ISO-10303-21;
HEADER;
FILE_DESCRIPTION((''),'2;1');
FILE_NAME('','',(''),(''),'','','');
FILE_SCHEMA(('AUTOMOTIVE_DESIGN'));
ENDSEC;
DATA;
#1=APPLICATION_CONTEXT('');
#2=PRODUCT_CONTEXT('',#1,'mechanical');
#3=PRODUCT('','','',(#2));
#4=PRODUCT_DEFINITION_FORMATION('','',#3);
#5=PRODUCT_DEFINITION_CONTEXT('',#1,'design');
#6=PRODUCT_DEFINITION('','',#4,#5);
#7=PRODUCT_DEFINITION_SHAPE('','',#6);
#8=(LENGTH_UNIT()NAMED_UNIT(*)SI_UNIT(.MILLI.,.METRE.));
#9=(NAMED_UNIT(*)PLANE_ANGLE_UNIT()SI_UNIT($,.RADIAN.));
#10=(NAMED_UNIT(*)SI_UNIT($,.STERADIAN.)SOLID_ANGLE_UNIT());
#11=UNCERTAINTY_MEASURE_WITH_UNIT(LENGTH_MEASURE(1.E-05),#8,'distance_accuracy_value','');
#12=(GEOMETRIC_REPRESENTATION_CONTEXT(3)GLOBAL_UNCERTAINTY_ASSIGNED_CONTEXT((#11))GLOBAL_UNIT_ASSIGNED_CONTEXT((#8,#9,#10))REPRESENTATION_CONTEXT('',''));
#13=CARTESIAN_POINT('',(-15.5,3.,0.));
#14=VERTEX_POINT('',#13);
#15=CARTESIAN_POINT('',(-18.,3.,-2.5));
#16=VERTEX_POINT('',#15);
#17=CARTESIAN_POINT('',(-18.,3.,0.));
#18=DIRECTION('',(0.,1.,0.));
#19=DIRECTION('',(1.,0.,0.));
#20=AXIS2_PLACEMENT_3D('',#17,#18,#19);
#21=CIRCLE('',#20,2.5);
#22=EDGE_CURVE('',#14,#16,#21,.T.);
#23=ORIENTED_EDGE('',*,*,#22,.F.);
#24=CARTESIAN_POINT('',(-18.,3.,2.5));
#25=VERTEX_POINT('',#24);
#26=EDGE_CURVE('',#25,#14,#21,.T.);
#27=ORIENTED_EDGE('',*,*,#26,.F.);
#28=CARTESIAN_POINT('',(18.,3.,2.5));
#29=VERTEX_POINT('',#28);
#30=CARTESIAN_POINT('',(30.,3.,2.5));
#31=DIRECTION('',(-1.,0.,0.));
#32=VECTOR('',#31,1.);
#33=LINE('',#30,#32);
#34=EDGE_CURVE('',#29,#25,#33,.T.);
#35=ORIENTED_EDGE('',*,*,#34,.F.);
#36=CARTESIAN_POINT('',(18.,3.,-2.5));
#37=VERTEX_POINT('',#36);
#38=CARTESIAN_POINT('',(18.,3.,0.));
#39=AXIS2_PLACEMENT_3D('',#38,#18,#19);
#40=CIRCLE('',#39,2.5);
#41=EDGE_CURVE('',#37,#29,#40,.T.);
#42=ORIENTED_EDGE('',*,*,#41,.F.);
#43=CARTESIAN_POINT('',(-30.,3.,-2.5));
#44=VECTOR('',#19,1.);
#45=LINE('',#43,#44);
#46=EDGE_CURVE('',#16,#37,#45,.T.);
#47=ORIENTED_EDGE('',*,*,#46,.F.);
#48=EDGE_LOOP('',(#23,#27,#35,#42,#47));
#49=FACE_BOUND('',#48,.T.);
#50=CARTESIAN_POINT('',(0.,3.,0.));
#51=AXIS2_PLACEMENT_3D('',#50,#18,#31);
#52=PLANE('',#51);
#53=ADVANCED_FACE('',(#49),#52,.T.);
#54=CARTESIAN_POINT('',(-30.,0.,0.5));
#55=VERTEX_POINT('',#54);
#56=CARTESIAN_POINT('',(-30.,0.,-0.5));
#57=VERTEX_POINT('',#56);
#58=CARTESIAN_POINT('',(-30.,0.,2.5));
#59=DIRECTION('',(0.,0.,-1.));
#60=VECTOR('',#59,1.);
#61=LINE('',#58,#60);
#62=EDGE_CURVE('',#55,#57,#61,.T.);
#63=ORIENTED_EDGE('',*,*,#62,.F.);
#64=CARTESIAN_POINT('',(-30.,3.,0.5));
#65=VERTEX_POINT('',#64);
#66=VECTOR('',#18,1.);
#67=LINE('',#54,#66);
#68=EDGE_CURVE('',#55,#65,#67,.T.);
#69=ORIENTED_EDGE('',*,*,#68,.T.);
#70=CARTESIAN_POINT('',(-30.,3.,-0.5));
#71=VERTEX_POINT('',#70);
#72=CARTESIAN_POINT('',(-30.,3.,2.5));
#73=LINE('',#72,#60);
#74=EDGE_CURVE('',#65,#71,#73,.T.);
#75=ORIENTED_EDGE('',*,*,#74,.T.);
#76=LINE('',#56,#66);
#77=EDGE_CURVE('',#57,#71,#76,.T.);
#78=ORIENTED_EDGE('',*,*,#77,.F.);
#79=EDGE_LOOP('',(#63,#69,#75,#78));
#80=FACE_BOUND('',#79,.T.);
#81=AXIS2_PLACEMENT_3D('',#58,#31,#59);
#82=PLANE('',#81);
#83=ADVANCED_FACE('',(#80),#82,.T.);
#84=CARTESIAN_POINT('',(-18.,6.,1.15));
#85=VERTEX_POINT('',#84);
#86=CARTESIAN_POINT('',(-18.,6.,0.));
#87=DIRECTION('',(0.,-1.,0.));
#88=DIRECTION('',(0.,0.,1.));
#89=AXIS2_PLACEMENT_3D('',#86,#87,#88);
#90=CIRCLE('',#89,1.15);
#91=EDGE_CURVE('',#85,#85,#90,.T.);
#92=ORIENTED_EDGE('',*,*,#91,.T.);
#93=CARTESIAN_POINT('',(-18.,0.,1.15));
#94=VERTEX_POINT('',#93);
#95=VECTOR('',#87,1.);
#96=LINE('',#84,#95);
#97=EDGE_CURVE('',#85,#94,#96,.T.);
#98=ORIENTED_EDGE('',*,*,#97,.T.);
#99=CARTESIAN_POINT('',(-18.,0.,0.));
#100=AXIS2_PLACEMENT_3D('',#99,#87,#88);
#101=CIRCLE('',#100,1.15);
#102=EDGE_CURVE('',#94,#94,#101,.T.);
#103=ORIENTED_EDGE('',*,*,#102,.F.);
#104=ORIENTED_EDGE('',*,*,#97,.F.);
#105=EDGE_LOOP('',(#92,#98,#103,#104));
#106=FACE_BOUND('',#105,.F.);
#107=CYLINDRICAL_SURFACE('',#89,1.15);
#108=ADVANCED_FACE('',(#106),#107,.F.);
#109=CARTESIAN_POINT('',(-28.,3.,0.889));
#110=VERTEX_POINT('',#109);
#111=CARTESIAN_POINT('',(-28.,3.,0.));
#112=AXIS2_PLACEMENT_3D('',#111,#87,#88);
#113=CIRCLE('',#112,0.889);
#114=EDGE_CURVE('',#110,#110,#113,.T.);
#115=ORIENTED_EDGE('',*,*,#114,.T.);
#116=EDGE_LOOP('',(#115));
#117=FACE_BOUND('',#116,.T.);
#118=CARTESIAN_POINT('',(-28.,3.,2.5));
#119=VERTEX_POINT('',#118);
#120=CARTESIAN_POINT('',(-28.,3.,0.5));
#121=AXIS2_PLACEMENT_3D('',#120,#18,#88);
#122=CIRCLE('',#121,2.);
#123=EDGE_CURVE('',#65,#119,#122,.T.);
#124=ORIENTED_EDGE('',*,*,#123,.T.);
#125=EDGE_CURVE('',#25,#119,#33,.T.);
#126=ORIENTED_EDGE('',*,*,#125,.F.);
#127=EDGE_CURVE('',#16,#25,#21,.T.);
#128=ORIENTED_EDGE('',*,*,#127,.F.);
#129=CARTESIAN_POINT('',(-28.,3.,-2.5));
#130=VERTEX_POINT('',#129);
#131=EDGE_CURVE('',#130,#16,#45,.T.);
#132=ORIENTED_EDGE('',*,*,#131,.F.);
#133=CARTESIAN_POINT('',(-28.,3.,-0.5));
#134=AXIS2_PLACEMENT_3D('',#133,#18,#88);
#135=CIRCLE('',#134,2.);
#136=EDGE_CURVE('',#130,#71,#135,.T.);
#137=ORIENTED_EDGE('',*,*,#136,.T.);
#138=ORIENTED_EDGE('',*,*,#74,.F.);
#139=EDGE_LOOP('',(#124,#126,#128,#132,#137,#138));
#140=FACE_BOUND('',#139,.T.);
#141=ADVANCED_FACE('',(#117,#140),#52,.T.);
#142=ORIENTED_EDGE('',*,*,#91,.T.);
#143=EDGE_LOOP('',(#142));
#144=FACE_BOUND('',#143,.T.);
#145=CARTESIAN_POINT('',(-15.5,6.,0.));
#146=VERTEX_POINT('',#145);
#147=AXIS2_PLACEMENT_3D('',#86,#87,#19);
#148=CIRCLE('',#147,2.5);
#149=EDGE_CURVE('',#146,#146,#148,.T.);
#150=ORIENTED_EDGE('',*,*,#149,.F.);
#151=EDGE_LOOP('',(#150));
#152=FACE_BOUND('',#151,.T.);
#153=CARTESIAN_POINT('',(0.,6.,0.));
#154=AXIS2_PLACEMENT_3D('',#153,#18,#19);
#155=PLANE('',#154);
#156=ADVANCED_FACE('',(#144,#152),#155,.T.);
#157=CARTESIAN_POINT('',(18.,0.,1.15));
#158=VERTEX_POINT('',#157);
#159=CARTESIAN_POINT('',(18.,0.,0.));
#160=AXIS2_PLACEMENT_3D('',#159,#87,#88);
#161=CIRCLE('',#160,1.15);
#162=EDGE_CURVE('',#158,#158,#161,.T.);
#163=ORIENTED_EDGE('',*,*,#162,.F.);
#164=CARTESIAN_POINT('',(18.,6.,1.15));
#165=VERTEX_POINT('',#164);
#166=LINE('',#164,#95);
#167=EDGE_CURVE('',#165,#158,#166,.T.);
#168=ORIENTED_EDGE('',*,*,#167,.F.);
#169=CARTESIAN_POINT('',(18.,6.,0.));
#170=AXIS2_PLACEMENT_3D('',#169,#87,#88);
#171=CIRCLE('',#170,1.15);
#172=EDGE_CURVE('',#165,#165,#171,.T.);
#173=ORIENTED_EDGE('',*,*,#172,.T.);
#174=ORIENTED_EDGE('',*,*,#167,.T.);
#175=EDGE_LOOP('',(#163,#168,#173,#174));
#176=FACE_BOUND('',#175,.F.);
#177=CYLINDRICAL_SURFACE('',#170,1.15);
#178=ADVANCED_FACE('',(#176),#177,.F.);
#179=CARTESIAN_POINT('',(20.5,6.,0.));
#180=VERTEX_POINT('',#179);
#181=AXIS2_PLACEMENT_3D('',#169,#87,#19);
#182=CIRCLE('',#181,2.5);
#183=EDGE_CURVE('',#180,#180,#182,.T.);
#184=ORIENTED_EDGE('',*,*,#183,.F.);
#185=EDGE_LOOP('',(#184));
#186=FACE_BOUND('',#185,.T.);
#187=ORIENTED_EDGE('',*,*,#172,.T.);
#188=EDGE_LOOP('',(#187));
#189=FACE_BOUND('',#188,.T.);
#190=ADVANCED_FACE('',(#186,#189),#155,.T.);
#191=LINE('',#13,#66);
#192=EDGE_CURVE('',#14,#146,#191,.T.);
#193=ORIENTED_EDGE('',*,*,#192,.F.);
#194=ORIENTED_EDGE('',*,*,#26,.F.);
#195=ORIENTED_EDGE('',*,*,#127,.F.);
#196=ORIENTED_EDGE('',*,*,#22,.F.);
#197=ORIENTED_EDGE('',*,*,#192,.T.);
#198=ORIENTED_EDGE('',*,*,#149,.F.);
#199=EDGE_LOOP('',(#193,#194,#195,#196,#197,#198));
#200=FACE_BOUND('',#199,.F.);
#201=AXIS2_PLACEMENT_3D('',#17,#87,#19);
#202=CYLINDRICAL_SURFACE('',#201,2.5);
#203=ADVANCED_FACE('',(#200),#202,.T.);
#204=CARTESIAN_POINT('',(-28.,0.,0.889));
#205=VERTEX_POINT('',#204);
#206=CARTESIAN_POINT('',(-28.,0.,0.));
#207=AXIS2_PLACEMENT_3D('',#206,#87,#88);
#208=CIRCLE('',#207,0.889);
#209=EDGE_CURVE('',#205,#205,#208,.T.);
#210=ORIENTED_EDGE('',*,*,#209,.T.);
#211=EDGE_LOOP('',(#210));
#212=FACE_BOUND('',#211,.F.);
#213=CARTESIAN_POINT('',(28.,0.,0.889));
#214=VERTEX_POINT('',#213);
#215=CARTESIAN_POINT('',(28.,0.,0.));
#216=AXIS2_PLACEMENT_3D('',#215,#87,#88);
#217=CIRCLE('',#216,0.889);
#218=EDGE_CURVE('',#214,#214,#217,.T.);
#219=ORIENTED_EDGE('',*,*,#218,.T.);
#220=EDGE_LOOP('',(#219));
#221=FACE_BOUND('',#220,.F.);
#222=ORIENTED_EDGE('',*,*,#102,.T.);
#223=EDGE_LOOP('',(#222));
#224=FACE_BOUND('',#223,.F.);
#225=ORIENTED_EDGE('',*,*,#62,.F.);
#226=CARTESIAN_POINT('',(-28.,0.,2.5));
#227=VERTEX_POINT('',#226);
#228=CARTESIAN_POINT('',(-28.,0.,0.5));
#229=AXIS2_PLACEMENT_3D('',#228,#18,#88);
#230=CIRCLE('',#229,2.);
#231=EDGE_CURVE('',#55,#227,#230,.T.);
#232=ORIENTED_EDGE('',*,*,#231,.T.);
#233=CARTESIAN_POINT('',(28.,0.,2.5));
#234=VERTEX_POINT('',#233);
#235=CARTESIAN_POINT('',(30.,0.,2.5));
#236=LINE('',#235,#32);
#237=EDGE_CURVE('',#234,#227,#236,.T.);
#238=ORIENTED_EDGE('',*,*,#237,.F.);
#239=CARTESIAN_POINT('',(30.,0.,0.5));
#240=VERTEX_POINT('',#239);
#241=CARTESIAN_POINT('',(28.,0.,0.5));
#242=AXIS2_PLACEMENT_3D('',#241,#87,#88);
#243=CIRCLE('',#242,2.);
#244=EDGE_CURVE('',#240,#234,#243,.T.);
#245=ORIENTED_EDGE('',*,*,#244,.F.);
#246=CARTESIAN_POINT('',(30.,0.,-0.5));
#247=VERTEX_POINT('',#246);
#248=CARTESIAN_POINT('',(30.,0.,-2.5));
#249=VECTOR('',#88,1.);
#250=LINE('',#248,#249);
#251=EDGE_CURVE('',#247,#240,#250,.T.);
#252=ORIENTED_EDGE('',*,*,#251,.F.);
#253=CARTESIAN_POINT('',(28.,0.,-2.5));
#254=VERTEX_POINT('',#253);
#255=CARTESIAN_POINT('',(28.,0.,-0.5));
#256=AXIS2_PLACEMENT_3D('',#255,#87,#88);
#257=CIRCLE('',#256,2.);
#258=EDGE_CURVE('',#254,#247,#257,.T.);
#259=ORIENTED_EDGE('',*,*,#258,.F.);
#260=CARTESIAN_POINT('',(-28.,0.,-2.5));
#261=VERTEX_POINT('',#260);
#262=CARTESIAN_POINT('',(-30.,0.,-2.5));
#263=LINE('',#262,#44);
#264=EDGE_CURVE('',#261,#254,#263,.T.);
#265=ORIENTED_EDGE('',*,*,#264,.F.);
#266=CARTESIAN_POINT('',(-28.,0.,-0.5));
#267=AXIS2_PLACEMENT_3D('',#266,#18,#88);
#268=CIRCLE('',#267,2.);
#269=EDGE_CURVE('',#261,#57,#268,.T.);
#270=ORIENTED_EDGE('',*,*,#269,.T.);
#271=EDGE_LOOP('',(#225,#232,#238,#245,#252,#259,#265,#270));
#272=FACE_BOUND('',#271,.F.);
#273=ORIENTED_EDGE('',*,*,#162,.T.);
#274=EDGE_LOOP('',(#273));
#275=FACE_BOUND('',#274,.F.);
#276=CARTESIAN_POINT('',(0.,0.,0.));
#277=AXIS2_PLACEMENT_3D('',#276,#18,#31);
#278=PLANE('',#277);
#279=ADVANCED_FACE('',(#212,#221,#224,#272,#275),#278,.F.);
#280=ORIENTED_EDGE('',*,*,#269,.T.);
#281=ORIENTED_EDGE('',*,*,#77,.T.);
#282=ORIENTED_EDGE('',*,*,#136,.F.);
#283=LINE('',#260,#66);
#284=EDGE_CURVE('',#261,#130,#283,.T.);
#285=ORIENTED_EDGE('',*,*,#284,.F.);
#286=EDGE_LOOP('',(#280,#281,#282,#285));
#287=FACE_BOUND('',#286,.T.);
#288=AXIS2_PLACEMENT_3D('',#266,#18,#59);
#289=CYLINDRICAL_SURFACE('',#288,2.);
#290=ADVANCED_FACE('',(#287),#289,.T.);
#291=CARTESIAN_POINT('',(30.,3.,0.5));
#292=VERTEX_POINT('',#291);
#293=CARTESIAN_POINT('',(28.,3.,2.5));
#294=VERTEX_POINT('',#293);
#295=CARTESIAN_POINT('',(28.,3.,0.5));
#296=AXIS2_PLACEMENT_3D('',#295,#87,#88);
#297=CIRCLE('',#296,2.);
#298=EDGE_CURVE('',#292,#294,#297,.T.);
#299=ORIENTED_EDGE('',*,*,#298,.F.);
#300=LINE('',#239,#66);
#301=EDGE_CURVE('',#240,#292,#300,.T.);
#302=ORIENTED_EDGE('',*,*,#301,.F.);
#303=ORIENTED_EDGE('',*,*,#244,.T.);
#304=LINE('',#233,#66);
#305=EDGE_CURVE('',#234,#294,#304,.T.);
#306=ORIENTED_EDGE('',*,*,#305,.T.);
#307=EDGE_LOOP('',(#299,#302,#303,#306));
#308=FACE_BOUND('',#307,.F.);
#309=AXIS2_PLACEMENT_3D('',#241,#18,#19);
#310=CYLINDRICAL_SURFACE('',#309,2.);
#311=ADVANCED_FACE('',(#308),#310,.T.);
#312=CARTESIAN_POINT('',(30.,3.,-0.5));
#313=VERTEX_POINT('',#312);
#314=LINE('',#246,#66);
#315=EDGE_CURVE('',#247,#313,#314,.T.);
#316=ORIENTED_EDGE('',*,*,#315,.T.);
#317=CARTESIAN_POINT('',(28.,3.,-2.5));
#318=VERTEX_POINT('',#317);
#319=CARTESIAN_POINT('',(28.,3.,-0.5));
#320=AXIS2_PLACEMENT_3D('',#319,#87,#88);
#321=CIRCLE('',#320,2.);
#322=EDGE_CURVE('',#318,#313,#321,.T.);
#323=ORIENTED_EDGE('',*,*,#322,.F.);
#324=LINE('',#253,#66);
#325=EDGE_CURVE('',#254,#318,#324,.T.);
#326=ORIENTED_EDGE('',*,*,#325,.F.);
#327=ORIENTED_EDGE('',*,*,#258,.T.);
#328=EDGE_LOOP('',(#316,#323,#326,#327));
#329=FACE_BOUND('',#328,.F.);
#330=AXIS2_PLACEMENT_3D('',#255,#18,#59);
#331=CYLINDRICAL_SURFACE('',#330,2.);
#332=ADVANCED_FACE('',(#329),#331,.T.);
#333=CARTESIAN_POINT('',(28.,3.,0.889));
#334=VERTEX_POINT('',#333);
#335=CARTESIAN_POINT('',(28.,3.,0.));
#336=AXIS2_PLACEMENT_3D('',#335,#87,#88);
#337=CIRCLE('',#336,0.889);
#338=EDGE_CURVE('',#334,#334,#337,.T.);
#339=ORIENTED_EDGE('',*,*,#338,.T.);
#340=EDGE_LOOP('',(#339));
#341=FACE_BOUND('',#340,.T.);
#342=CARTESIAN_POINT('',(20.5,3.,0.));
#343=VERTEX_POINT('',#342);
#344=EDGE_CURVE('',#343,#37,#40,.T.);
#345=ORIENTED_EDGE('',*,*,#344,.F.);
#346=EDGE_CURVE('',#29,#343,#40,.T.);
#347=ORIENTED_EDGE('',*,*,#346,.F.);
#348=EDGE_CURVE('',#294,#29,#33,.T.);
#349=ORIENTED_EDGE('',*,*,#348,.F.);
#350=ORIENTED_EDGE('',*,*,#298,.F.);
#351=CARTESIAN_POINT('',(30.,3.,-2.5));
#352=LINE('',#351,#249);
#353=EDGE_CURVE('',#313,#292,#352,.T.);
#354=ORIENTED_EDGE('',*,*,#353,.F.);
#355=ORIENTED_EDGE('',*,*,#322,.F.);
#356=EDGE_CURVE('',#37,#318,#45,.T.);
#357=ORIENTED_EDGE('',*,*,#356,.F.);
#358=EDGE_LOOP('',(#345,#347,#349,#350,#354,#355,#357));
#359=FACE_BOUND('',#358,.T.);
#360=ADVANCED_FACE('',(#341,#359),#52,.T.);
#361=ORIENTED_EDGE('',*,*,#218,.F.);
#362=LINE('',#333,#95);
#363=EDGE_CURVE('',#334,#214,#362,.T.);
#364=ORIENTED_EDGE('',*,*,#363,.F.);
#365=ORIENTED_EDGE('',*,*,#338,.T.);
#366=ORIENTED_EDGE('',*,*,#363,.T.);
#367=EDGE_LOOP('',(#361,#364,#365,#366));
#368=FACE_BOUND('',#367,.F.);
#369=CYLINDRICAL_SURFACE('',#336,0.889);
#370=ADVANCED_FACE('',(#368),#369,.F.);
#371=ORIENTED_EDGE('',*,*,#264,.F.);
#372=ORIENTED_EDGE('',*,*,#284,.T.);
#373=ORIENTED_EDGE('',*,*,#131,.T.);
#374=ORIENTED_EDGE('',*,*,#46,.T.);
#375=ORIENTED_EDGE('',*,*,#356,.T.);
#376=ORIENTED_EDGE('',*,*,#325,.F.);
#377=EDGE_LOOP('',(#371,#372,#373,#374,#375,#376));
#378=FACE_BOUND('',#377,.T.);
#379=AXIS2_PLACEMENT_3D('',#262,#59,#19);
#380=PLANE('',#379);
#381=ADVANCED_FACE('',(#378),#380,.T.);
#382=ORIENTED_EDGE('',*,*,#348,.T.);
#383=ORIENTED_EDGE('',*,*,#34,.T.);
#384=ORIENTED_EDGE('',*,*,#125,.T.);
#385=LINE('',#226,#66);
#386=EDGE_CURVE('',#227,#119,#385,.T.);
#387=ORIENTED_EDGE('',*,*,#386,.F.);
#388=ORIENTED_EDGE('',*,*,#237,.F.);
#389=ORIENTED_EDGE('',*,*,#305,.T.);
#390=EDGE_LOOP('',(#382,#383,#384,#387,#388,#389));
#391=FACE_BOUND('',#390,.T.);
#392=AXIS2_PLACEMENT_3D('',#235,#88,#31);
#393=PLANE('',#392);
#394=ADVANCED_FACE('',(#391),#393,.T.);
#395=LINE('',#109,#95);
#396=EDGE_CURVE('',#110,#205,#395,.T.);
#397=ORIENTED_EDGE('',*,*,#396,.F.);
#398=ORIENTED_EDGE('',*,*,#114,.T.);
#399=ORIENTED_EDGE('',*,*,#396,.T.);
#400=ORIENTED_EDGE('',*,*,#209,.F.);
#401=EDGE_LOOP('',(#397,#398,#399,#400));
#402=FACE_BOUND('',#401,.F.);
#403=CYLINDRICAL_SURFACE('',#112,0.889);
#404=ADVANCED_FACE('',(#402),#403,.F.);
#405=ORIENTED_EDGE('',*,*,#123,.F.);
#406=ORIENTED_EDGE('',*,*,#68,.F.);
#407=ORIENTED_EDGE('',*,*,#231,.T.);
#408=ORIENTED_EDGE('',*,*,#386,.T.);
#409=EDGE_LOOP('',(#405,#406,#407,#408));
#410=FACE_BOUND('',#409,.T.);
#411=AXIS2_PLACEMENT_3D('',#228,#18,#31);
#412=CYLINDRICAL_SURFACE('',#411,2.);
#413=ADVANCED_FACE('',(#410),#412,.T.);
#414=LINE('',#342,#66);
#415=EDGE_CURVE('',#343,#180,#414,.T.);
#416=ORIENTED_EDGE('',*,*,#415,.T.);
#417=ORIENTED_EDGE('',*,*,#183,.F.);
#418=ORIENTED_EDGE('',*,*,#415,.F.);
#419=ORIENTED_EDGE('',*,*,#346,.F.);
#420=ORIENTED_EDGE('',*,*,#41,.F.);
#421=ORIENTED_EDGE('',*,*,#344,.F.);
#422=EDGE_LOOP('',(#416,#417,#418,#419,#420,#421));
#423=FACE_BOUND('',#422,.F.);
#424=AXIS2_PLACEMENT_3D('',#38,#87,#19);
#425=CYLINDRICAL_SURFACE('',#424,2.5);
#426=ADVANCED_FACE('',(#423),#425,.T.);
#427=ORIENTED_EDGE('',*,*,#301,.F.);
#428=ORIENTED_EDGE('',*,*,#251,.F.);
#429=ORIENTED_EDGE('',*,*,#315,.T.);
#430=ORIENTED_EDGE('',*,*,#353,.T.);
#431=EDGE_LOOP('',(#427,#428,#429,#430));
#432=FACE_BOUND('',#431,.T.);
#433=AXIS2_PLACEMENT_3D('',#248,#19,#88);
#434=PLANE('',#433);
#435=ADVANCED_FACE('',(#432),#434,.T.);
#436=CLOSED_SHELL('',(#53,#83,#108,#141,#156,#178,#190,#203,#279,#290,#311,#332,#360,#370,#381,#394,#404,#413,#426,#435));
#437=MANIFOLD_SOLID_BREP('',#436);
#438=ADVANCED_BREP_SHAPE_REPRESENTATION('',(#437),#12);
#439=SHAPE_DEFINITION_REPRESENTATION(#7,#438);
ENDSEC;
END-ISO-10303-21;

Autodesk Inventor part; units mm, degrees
ref_plane "YZ Plane" through (0, 0, 0) normal (1, 0, 0) x (0, 1, 0)
ref_plane "XZ Plane" through (0, 0, 0) normal (0, 1, 0) x (-1, 0, 0)
ref_plane "XY Plane" through (0, 0, 0) normal (0, 0, 1) x (1, 0, 0)
sketch "Sketch1" plane through (0, 0, 0) normal (0, 1, 0) x (-1, 0, 0)
  line L0 (30, -2.5) -> (-30, -2.5)
  line L1 (-30, -2.5) -> (-30, 2.5)
  line L2 (-30, 2.5) -> (30, 2.5)
  line L3 (30, 2.5) -> (30, -2.5)
  line L4 (30, -2.5) -> (-30, 2.5) construction
  line L5 (-30, -2.5) -> (30, 2.5) construction
  point P0 (0, 0)
  dimension "d0" = 60
  dimension "d1" = 5
extrude "Extrusion1" add sketch "Sketch1" along normal blind 3
sketch "Sketch2" plane through (0, 3, 0) normal (0, 1, 0) x (1, 0, 0)
  line L0 (-30, -2.5) -> (30, -2.5) projected
  line L1 (30, -2.5) -> (30, 2.5) projected
  line L2 (30, 2.5) -> (-30, 2.5) projected
  line L3 (-30, 2.5) -> (-30, -2.5) projected
  line L4 (-30, 2.5) -> (30, -2.5) construction
  line L5 (30, 2.5) -> (-30, -2.5) construction
  line L6 (-30, 0) -> (30, 0) construction
  line L7 (0, 2.5) -> (0, -2.5) construction
  circle A0 centre (-18, 0) radius 2.5
  circle A1 centre (18, 0) radius 2.5
  point P0 (0, 0)
  dimension "d4" = 5
  dimension "d5" = 18
extrude "Extrusion2" add sketch "Sketch2" along normal blind 3 contours A0 | A1
sketch "Sketch3" plane through (-18, 6, 0) normal (0, 1, 0) x (1, 0, 0)
  circle A0 centre (0, 0) radius 2.5 projected
  circle A1 centre (36, 0) radius 2.5 projected
  point P0 (18, 0)
hole "Hole1" at (-18, 6, 0) at (18, 6, 0) direction (0, -1, 0) diameter 2.3 end through all
fillet "Fillet1" radius 2 4 edges at (-30, 1.5, -2.5) (-30, 1.5, 2.5) (30, 1.5, -2.5) (30, 1.5, 2.5)
sketch "Sketch4" plane through (0, 3, 0) normal (0, 1, 0) x (1, 0, 0)
  arc A0 (28, -2.5) -> (30, -0.5) centre (28, -0.5) ccw projected
  line L0 (30, -0.5) -> (30, 0.5) projected
  arc A1 (30, 0.5) -> (28, 2.5) centre (28, 0.5) ccw projected
  line L1 (28, 2.5) -> (18, 2.5) projected
  arc A2 (-28, 2.5) -> (-30, 0.5) centre (-28, 0.5) ccw projected
  line L2 (-30, 0.5) -> (-30, -0.5) projected
  arc A3 (-30, -0.5) -> (-28, -2.5) centre (-28, -0.5) ccw projected
  line L3 (-28, -2.5) -> (-18, -2.5) projected
  arc A4 (18, -2.5) -> (18, 2.5) centre (18, 0) ccw projected
  arc A5 (-18, -2.5) -> (-18, 2.5) centre (-18, 0) ccw projected
  line L4 (-30, 0) -> (30, 0) construction
  line L5 (-28, 0.5) -> (-28, -0.5) construction
  line L6 (28, 0.5) -> (28, -0.5) construction
  arc A6 (18, 2.5) -> (18, -2.5) centre (18, 0) ccw projected
  line L7 (18, 2.5) -> (-18, 2.5) projected
  line L8 (-18, -2.5) -> (18, -2.5) projected
  arc A7 (-18, 2.5) -> (-18, -2.5) centre (-18, 0) ccw projected
  line L9 (-18, 2.5) -> (-28, 2.5) projected
  line L10 (18, -2.5) -> (28, -2.5) projected
  point P0 (0, 0)
  point P1 (-28, 0)
  point P2 (28, 0)
hole "Hole2" at (-28, 3, 0) at (28, 3, 0) direction (0, -1, 0) diameter 1.778 end through all
properties part number "Busbar Base"
